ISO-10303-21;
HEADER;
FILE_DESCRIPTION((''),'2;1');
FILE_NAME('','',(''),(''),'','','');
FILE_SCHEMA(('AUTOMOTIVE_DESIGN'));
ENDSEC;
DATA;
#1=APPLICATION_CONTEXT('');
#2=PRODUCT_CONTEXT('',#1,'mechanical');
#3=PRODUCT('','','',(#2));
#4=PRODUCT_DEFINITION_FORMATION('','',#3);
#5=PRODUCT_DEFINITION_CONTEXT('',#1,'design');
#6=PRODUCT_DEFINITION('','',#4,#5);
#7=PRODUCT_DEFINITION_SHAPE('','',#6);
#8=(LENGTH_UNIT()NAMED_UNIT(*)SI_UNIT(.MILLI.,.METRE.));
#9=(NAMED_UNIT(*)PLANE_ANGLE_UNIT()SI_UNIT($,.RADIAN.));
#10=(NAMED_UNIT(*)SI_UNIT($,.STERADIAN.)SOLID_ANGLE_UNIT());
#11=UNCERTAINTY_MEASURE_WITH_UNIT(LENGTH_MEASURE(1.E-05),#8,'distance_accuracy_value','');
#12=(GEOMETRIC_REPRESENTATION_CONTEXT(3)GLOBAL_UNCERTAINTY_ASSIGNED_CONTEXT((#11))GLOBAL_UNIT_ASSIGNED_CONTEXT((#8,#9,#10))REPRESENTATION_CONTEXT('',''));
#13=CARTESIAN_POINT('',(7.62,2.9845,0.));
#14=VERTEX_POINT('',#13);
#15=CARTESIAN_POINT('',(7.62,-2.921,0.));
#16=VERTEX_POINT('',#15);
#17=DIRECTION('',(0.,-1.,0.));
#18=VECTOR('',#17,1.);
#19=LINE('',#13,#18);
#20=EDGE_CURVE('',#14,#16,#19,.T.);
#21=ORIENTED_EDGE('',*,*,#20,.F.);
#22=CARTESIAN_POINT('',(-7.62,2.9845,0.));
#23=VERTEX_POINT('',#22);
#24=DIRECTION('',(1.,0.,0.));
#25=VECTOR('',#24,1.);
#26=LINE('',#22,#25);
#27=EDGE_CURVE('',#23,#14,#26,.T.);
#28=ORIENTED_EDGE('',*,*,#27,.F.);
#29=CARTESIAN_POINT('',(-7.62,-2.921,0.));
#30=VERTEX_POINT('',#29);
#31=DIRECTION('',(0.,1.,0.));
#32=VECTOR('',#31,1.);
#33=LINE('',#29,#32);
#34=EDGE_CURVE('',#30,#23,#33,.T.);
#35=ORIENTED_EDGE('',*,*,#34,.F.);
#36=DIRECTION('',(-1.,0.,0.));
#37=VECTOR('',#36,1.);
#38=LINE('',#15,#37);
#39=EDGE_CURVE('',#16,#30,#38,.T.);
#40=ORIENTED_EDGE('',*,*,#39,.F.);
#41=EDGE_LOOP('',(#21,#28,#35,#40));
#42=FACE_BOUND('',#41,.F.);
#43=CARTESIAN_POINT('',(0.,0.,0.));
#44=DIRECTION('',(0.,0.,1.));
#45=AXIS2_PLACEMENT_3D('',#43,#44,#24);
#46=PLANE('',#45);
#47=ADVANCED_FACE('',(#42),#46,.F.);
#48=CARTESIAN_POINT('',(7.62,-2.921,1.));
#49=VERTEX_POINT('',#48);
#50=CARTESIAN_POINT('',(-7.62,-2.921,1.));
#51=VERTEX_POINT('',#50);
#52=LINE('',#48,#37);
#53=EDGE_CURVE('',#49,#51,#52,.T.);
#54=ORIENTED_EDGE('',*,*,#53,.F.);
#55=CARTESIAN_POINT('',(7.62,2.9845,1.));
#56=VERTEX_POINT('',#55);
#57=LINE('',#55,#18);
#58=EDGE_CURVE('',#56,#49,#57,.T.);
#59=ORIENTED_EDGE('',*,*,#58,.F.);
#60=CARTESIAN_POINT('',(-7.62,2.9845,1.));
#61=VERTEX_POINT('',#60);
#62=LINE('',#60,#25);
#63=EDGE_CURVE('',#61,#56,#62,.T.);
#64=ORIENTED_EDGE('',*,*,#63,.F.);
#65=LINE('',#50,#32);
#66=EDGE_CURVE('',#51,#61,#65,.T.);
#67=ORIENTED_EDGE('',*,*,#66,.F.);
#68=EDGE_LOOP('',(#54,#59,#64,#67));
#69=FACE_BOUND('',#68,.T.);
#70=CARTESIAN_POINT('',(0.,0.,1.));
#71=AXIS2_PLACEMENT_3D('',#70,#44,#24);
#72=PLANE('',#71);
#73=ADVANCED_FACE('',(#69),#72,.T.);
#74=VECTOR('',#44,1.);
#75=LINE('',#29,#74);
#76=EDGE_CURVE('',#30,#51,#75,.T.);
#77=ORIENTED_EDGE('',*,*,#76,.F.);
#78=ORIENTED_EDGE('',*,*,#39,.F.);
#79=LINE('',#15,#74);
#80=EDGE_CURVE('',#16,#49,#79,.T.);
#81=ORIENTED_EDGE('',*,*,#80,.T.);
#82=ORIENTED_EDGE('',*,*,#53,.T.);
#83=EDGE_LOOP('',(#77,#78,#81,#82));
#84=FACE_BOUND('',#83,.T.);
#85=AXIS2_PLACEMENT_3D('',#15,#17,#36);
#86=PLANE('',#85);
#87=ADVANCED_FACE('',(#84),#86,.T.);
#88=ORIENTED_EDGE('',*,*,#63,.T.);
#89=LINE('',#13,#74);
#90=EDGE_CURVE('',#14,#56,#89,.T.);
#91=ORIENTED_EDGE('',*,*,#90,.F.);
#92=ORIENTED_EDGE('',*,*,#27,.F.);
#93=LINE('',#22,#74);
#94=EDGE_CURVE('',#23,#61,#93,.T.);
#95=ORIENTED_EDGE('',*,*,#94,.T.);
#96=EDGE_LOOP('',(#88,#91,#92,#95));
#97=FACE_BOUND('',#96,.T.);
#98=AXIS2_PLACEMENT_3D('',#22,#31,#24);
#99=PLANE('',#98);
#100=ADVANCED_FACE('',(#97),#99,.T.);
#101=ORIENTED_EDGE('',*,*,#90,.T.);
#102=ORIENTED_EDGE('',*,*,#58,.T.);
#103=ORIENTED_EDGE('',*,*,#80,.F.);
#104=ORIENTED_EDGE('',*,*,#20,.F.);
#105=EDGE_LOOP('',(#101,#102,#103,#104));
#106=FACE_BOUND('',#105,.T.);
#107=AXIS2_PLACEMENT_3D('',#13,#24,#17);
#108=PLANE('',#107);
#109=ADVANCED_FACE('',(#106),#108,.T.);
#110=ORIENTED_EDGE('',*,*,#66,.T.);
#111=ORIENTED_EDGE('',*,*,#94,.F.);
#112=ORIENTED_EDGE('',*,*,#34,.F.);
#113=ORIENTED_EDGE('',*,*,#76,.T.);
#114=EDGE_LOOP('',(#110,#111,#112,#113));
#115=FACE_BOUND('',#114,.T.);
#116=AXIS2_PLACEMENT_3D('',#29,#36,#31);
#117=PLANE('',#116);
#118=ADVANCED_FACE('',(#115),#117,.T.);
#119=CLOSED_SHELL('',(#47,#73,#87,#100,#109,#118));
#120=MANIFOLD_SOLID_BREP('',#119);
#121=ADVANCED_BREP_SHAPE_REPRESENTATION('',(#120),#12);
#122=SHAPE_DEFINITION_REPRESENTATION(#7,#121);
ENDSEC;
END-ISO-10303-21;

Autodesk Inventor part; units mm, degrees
ref_plane "YZ Plane" through (0, 0, 0) normal (1, 0, 0) x (0, 1, 0)
ref_plane "XZ Plane" through (0, 0, 0) normal (0, 1, 0) x (-1, 0, 0)
ref_plane "XY Plane" through (0, 0, 0) normal (0, 0, 1) x (1, 0, 0)
sketch "6410-06, 22-27-2061-06_32" plane through (0, 0, 0) normal (0, 0, 1) x (1, 0, 0)
  line L0 (-7.62, 2.9845) -> (7.62, 2.9845)
  line L1 (7.62, 2.9845) -> (7.62, -2.921)
  line L2 (7.62, -2.921) -> (-7.62, -2.921)
  line L3 (-7.62, -2.921) -> (-7.62, 2.9845)
extrude "Extrusion1" add sketch "6410-06, 22-27-2061-06_32" along normal blind 1
properties part number "22-27-2061-06"
